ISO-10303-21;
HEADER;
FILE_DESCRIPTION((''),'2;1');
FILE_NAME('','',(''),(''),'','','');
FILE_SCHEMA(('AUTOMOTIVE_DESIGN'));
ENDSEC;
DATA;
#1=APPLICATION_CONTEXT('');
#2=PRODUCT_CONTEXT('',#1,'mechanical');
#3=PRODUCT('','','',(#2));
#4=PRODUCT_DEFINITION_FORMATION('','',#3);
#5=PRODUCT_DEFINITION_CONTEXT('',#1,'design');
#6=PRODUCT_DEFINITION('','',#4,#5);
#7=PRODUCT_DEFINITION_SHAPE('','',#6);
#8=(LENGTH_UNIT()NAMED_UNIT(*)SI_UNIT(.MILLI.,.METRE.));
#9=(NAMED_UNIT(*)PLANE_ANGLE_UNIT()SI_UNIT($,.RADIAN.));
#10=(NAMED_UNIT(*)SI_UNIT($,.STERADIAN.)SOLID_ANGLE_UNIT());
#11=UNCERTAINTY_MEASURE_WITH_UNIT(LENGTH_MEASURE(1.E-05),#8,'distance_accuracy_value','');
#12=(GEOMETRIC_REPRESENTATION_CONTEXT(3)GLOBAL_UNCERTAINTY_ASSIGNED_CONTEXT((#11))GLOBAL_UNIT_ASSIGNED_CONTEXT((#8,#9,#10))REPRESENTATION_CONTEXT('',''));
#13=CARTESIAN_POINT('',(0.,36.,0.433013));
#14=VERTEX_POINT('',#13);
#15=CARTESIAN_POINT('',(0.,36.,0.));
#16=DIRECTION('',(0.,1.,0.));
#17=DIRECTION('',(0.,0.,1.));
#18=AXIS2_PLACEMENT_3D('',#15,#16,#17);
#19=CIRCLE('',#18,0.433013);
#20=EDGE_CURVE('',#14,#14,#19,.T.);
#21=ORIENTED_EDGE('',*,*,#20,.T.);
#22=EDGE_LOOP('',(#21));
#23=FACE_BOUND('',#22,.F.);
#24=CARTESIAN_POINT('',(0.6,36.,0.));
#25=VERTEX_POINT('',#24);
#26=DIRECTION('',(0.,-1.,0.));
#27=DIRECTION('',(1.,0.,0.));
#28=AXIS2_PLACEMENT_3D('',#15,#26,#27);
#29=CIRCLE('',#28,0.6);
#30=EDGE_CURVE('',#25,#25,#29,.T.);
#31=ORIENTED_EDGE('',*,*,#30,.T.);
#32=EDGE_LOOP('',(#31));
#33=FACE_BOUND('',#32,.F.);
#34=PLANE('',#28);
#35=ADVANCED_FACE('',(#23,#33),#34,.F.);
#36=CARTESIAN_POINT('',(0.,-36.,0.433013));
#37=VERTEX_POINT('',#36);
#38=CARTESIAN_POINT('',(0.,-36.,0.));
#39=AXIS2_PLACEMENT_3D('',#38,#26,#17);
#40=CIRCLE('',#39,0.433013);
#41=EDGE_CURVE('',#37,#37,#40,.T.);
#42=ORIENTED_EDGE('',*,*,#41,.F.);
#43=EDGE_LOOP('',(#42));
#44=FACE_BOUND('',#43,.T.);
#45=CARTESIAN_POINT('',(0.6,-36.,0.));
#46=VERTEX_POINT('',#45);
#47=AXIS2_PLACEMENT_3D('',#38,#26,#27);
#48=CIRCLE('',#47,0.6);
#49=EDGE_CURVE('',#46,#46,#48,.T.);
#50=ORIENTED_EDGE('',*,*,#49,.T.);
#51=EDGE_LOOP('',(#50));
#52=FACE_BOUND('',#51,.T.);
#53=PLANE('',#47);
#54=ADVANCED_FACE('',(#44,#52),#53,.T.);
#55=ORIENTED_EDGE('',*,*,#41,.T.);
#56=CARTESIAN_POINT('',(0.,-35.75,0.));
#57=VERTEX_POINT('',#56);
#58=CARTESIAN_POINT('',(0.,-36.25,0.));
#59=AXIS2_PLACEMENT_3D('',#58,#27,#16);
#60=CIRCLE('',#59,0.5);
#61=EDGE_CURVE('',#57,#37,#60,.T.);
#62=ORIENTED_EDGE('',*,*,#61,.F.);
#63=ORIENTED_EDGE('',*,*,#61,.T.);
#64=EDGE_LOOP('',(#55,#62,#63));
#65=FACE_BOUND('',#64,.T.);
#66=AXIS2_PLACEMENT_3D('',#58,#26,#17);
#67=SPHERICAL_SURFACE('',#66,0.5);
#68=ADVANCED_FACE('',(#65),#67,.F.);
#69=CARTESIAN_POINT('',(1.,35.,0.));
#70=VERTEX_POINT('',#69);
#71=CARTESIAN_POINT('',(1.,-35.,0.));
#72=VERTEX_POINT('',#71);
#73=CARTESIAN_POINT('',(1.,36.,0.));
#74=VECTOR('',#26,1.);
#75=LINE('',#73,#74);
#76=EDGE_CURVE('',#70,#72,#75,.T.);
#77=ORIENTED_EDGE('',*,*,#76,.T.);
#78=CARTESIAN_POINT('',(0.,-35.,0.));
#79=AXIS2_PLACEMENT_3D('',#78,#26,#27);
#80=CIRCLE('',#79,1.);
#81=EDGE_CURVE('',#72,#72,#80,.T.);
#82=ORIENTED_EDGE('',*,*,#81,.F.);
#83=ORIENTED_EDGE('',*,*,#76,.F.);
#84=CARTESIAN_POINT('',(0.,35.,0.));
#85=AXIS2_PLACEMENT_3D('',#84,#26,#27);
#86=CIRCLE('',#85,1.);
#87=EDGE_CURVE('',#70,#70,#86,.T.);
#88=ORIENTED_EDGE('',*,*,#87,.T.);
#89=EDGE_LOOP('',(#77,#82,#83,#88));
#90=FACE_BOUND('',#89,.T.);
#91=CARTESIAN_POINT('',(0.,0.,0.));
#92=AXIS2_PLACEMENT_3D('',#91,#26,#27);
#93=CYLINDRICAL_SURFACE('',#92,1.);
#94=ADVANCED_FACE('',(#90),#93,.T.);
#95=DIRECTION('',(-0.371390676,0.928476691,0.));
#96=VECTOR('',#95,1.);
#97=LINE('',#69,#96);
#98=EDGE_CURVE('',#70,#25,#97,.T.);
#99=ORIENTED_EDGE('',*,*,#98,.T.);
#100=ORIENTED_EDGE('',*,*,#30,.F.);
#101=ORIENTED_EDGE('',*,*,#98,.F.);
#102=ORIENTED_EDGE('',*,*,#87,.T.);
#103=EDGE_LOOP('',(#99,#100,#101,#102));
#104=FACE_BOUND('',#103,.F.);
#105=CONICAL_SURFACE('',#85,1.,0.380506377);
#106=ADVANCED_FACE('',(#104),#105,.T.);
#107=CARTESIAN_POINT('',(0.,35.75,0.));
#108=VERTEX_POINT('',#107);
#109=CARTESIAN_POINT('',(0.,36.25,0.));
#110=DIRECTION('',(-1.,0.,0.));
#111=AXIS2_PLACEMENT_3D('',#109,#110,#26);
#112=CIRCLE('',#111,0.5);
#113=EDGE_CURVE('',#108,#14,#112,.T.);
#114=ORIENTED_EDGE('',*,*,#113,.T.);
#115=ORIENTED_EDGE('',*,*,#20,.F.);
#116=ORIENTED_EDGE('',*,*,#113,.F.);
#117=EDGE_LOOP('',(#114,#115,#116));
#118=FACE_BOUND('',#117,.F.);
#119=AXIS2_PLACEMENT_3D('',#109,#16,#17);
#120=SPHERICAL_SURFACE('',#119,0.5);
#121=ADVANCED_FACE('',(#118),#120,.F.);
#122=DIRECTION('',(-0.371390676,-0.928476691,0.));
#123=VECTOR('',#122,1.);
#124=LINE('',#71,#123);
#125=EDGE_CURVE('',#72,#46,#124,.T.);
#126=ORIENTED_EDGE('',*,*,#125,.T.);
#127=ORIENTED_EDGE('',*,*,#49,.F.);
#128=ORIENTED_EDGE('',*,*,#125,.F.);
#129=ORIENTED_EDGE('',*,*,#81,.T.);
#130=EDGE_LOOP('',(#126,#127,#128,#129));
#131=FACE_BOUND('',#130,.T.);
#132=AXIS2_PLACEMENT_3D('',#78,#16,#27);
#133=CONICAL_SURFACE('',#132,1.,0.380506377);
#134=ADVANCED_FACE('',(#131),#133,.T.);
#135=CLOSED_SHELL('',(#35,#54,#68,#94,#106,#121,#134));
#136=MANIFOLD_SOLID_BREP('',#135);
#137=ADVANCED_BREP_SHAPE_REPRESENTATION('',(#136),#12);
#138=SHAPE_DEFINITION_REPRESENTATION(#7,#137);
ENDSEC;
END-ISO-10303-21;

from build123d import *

# Parameters (mm, degrees)
SKETCH_R      = 1
PAD_DEPTH     = 36
CHAMFER_SIZE2 = 0.4
CHAMFER_SIZE  = 1


with BuildPart() as part:
    # Sketch → Pad (new body, symmetric)
    with BuildSketch(Plane.XZ):
        Circle(SKETCH_R)
    extrude(amount=PAD_DEPTH, both=True)

    # Chamfer
    chamfer_edges = [part.edges().sort_by_distance(p)[0] for p in [
        (-1, -36, 0),
        (-1, 36, 0),
    ]]
    chamfer_side = part.faces().sort_by_distance((-1, 0, 0))[0]
    chamfer(chamfer_edges, length=CHAMFER_SIZE, length2=CHAMFER_SIZE2, reference=chamfer_side)

    # Sketch002 (on YZ_Plane of Origin) → Groove (revolve, cut)
    with BuildSketch(Plane.YZ):
        with BuildLine():
            ThreePointArc((-35.75, 0), (-36.25, 0.5), (-36.75, 0))
            Line((-36.75, 0), (-35.75, 0))
        make_face()
    groove = revolve(axis=Axis((0, 0, 0), (0, 1, 0)), mode=Mode.SUBTRACT)

    # Mirrored: Groove across XZ
    add(groove.mirror(Plane.XZ), mode=Mode.SUBTRACT)


solid = part.part
